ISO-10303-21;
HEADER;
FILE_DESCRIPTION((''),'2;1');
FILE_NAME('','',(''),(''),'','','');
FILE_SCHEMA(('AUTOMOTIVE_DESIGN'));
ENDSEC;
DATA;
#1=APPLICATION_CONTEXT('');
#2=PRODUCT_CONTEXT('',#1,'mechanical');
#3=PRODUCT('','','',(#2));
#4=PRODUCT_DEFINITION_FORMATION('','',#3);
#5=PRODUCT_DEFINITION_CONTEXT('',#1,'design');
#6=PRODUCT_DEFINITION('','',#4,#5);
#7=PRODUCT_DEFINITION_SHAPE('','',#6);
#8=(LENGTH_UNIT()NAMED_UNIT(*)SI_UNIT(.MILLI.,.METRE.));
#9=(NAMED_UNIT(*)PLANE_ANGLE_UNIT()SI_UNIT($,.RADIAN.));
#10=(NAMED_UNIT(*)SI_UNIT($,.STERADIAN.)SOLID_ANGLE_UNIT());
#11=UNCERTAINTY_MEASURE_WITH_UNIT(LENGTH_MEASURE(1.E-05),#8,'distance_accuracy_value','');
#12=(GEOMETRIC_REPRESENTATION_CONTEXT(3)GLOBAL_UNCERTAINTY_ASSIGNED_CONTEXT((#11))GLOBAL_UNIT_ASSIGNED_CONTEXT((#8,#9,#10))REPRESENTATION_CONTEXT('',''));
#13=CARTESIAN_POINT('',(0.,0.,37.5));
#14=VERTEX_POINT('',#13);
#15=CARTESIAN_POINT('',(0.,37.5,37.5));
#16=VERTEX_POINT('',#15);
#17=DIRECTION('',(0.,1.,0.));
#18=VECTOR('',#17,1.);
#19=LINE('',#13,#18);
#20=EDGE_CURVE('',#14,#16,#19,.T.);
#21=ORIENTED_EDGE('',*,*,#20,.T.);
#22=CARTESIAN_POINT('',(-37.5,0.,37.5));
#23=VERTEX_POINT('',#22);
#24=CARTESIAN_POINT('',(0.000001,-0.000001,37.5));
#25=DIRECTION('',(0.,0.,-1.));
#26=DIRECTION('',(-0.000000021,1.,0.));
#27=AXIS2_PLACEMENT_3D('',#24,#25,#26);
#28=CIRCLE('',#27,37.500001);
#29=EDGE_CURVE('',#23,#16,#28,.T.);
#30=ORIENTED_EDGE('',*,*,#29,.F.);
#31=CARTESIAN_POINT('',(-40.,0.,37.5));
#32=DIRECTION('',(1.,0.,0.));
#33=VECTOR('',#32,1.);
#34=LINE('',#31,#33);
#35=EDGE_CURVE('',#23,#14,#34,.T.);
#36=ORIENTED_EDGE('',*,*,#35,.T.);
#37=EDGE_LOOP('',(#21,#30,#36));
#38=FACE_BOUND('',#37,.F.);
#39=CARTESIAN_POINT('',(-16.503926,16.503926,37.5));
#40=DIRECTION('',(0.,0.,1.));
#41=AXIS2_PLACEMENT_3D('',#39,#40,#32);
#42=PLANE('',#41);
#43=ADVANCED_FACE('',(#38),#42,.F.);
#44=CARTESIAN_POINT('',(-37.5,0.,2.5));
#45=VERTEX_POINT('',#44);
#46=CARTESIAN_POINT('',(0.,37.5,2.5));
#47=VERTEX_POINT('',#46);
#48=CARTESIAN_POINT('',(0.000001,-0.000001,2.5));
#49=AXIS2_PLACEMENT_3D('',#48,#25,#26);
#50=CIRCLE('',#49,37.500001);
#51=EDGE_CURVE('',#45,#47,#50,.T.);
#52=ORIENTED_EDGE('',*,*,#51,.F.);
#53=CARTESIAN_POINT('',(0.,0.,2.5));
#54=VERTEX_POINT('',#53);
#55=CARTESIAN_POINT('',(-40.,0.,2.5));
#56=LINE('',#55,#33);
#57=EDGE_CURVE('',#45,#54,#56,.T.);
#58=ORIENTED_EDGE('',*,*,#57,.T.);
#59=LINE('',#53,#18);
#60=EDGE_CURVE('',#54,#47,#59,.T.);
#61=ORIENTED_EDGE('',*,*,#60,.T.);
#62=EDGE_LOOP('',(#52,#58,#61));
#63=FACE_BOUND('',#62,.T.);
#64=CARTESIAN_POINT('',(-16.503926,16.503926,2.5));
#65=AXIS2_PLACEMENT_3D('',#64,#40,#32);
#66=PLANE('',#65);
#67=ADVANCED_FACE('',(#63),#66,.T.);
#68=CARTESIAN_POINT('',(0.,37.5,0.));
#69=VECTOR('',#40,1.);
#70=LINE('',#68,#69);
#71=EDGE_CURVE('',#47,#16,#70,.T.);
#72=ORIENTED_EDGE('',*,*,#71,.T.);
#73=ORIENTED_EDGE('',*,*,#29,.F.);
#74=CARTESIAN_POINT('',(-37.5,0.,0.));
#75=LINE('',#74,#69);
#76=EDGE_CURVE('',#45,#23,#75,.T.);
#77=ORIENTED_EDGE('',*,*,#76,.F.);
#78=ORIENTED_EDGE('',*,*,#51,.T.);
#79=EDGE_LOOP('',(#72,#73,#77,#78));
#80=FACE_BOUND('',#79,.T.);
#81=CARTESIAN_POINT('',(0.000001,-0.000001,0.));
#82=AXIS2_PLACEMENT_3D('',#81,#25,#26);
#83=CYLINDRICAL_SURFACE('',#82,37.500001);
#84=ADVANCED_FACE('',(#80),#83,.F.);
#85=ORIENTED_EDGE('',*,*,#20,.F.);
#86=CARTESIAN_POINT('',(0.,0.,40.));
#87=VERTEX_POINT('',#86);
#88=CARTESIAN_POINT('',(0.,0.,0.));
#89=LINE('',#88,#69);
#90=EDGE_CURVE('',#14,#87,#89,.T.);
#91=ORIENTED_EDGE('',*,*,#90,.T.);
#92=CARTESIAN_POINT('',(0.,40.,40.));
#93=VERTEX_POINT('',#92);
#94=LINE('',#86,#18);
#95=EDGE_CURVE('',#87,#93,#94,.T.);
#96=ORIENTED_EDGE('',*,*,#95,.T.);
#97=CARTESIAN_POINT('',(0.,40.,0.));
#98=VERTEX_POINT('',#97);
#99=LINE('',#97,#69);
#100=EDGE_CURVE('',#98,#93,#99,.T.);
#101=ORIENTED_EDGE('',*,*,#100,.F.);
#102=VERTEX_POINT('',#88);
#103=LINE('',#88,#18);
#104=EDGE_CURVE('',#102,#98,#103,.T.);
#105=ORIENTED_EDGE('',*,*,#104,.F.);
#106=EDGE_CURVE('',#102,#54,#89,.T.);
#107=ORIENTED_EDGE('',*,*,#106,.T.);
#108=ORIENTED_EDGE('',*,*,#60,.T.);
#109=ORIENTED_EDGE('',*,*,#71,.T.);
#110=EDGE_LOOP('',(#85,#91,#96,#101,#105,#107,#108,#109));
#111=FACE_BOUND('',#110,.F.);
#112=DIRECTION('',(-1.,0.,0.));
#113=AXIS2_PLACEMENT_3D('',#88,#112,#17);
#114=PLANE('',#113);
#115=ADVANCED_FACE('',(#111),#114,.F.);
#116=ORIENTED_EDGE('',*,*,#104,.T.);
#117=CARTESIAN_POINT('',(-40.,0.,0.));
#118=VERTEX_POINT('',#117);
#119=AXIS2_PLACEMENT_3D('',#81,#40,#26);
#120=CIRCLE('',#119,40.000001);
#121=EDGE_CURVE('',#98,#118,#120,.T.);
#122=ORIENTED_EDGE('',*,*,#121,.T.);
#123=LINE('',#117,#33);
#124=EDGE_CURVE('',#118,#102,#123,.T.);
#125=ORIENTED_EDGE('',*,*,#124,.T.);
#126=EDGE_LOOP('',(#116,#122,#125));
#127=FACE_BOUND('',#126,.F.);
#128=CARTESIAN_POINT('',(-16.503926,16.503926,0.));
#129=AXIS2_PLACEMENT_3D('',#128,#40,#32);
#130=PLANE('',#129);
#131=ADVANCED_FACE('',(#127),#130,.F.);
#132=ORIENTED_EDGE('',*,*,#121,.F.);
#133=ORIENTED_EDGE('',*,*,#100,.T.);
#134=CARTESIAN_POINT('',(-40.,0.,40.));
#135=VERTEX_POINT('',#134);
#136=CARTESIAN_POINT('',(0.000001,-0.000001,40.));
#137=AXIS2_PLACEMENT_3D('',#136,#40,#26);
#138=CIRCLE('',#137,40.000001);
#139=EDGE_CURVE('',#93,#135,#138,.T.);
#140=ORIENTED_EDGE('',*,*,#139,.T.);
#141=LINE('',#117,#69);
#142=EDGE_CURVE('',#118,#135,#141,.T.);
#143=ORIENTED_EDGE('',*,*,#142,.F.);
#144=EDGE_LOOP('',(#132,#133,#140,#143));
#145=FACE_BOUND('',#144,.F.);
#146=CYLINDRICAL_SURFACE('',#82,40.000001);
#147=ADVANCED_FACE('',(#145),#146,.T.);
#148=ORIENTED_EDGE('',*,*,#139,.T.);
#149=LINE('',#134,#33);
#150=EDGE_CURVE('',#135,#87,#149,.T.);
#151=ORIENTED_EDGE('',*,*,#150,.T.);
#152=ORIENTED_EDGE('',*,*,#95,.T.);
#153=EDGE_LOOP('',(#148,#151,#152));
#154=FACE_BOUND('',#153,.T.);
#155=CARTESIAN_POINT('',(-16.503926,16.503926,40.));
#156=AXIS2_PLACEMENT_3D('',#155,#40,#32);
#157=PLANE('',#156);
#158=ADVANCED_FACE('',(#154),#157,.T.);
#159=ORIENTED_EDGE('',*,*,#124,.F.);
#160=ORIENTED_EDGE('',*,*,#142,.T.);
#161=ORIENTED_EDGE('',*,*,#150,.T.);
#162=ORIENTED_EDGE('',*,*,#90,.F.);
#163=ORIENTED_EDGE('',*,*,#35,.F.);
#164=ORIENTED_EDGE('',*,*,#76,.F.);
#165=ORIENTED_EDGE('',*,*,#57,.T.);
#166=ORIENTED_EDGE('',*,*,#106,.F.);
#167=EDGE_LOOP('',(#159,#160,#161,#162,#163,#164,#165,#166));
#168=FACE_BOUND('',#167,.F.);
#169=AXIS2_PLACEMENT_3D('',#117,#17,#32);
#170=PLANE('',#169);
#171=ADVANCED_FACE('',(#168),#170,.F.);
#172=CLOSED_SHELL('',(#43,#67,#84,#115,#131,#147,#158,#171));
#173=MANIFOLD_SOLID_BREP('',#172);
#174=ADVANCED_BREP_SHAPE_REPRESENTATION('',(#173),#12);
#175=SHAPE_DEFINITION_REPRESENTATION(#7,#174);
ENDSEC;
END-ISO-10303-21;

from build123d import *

# Parameters (mm, degrees)
F1_DEPTH = 40
F2_T     = -2.5


with BuildPart() as f1:
    # F0 (on Top) → F1 (new body)
    with BuildSketch(Plane.XY):
        with BuildLine():
            Line((-40, 0), (0, 0))
            Line((0, 0), (0, 40))
            ThreePointArc((0, 40), (-28.284271, 28.284271), (-40, 0))
        make_face()
    extrude(amount=F1_DEPTH)

    # F2
    f2_openings = [f1.faces().sort_by_distance(p)[0] for p in [
        (-20, 0, 20),
        (0, 20, 20),
    ]]
    offset(amount=F2_T, openings=f2_openings)


solid = f1.part
